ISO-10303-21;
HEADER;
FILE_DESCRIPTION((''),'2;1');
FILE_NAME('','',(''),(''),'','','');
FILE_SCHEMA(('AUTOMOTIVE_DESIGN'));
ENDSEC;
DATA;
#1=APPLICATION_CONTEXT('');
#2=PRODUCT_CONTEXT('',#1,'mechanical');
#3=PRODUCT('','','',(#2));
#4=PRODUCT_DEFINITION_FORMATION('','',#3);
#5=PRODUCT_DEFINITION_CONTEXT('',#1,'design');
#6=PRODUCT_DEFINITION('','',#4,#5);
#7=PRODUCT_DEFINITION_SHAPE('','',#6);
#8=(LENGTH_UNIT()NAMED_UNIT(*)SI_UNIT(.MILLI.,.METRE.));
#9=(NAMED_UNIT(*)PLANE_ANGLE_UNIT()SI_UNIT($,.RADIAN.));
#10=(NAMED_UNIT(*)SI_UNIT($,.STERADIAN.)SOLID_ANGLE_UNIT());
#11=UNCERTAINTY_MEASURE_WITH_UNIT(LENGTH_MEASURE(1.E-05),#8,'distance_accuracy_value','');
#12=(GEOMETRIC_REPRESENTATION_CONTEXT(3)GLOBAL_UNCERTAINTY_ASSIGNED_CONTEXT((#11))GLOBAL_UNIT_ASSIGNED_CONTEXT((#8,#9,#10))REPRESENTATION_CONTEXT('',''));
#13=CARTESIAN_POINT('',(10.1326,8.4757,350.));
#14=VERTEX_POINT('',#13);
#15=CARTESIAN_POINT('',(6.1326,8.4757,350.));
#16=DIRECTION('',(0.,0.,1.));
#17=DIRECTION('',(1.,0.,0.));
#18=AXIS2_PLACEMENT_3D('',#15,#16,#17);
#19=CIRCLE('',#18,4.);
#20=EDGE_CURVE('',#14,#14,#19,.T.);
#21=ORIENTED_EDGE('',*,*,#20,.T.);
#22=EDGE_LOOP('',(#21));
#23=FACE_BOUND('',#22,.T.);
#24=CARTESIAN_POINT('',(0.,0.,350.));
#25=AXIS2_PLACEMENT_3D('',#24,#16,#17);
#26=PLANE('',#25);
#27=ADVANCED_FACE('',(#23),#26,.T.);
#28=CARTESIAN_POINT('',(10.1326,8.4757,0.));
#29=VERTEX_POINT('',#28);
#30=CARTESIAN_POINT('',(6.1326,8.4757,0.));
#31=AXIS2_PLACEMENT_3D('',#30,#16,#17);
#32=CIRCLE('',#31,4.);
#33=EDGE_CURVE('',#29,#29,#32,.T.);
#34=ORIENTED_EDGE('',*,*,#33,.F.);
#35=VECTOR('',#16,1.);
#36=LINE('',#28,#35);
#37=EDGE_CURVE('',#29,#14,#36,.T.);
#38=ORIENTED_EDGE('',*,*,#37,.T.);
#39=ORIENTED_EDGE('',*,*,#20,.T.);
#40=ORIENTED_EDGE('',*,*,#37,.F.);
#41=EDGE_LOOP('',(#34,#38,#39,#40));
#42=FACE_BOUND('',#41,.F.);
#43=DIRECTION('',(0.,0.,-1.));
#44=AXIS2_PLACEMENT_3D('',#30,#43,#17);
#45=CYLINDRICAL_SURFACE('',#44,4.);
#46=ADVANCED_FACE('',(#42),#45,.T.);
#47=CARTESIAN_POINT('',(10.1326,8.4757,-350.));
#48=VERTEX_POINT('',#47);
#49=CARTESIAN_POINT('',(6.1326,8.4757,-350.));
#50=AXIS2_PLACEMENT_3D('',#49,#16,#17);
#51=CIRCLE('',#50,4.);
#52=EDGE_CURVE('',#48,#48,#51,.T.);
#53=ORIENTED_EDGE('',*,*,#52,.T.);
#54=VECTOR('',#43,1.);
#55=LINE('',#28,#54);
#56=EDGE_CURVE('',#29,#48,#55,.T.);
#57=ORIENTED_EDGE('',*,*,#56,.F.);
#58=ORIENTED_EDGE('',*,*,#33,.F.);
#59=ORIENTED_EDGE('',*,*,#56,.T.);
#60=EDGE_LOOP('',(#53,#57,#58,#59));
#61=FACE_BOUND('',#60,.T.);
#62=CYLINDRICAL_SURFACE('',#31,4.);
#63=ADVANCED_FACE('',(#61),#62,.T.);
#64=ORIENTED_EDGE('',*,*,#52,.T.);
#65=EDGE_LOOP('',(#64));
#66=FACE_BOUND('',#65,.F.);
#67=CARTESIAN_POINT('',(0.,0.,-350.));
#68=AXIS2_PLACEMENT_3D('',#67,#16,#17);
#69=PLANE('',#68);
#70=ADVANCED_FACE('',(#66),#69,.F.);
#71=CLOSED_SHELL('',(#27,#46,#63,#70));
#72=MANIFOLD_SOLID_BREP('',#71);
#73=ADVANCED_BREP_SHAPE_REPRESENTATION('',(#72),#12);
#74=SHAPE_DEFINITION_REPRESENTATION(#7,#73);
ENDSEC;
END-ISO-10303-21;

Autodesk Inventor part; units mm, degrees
ref_plane "YZ Plane" through (0, 0, 0) normal (1, 0, 0) x (0, 1, 0)
ref_plane "XZ Plane" through (0, 0, 0) normal (0, 1, 0) x (-1, 0, 0)
ref_plane "XY Plane" through (0, 0, 0) normal (0, 0, 1) x (1, 0, 0)
sketch "Sketch1" plane through (0, 0, 0) normal (0, 0, 1) x (1, 0, 0)
  circle A0 centre (6.1326, 8.4757) radius 4
  point P0 (0, 0)
  dimension "d0" = 8
  dimension "d0" = 8
extrude "Extrusion1" add sketch "Sketch1" along normal mid plane 700
properties part number "lead screw 8mm 700mm" material "Stainless Steel"
